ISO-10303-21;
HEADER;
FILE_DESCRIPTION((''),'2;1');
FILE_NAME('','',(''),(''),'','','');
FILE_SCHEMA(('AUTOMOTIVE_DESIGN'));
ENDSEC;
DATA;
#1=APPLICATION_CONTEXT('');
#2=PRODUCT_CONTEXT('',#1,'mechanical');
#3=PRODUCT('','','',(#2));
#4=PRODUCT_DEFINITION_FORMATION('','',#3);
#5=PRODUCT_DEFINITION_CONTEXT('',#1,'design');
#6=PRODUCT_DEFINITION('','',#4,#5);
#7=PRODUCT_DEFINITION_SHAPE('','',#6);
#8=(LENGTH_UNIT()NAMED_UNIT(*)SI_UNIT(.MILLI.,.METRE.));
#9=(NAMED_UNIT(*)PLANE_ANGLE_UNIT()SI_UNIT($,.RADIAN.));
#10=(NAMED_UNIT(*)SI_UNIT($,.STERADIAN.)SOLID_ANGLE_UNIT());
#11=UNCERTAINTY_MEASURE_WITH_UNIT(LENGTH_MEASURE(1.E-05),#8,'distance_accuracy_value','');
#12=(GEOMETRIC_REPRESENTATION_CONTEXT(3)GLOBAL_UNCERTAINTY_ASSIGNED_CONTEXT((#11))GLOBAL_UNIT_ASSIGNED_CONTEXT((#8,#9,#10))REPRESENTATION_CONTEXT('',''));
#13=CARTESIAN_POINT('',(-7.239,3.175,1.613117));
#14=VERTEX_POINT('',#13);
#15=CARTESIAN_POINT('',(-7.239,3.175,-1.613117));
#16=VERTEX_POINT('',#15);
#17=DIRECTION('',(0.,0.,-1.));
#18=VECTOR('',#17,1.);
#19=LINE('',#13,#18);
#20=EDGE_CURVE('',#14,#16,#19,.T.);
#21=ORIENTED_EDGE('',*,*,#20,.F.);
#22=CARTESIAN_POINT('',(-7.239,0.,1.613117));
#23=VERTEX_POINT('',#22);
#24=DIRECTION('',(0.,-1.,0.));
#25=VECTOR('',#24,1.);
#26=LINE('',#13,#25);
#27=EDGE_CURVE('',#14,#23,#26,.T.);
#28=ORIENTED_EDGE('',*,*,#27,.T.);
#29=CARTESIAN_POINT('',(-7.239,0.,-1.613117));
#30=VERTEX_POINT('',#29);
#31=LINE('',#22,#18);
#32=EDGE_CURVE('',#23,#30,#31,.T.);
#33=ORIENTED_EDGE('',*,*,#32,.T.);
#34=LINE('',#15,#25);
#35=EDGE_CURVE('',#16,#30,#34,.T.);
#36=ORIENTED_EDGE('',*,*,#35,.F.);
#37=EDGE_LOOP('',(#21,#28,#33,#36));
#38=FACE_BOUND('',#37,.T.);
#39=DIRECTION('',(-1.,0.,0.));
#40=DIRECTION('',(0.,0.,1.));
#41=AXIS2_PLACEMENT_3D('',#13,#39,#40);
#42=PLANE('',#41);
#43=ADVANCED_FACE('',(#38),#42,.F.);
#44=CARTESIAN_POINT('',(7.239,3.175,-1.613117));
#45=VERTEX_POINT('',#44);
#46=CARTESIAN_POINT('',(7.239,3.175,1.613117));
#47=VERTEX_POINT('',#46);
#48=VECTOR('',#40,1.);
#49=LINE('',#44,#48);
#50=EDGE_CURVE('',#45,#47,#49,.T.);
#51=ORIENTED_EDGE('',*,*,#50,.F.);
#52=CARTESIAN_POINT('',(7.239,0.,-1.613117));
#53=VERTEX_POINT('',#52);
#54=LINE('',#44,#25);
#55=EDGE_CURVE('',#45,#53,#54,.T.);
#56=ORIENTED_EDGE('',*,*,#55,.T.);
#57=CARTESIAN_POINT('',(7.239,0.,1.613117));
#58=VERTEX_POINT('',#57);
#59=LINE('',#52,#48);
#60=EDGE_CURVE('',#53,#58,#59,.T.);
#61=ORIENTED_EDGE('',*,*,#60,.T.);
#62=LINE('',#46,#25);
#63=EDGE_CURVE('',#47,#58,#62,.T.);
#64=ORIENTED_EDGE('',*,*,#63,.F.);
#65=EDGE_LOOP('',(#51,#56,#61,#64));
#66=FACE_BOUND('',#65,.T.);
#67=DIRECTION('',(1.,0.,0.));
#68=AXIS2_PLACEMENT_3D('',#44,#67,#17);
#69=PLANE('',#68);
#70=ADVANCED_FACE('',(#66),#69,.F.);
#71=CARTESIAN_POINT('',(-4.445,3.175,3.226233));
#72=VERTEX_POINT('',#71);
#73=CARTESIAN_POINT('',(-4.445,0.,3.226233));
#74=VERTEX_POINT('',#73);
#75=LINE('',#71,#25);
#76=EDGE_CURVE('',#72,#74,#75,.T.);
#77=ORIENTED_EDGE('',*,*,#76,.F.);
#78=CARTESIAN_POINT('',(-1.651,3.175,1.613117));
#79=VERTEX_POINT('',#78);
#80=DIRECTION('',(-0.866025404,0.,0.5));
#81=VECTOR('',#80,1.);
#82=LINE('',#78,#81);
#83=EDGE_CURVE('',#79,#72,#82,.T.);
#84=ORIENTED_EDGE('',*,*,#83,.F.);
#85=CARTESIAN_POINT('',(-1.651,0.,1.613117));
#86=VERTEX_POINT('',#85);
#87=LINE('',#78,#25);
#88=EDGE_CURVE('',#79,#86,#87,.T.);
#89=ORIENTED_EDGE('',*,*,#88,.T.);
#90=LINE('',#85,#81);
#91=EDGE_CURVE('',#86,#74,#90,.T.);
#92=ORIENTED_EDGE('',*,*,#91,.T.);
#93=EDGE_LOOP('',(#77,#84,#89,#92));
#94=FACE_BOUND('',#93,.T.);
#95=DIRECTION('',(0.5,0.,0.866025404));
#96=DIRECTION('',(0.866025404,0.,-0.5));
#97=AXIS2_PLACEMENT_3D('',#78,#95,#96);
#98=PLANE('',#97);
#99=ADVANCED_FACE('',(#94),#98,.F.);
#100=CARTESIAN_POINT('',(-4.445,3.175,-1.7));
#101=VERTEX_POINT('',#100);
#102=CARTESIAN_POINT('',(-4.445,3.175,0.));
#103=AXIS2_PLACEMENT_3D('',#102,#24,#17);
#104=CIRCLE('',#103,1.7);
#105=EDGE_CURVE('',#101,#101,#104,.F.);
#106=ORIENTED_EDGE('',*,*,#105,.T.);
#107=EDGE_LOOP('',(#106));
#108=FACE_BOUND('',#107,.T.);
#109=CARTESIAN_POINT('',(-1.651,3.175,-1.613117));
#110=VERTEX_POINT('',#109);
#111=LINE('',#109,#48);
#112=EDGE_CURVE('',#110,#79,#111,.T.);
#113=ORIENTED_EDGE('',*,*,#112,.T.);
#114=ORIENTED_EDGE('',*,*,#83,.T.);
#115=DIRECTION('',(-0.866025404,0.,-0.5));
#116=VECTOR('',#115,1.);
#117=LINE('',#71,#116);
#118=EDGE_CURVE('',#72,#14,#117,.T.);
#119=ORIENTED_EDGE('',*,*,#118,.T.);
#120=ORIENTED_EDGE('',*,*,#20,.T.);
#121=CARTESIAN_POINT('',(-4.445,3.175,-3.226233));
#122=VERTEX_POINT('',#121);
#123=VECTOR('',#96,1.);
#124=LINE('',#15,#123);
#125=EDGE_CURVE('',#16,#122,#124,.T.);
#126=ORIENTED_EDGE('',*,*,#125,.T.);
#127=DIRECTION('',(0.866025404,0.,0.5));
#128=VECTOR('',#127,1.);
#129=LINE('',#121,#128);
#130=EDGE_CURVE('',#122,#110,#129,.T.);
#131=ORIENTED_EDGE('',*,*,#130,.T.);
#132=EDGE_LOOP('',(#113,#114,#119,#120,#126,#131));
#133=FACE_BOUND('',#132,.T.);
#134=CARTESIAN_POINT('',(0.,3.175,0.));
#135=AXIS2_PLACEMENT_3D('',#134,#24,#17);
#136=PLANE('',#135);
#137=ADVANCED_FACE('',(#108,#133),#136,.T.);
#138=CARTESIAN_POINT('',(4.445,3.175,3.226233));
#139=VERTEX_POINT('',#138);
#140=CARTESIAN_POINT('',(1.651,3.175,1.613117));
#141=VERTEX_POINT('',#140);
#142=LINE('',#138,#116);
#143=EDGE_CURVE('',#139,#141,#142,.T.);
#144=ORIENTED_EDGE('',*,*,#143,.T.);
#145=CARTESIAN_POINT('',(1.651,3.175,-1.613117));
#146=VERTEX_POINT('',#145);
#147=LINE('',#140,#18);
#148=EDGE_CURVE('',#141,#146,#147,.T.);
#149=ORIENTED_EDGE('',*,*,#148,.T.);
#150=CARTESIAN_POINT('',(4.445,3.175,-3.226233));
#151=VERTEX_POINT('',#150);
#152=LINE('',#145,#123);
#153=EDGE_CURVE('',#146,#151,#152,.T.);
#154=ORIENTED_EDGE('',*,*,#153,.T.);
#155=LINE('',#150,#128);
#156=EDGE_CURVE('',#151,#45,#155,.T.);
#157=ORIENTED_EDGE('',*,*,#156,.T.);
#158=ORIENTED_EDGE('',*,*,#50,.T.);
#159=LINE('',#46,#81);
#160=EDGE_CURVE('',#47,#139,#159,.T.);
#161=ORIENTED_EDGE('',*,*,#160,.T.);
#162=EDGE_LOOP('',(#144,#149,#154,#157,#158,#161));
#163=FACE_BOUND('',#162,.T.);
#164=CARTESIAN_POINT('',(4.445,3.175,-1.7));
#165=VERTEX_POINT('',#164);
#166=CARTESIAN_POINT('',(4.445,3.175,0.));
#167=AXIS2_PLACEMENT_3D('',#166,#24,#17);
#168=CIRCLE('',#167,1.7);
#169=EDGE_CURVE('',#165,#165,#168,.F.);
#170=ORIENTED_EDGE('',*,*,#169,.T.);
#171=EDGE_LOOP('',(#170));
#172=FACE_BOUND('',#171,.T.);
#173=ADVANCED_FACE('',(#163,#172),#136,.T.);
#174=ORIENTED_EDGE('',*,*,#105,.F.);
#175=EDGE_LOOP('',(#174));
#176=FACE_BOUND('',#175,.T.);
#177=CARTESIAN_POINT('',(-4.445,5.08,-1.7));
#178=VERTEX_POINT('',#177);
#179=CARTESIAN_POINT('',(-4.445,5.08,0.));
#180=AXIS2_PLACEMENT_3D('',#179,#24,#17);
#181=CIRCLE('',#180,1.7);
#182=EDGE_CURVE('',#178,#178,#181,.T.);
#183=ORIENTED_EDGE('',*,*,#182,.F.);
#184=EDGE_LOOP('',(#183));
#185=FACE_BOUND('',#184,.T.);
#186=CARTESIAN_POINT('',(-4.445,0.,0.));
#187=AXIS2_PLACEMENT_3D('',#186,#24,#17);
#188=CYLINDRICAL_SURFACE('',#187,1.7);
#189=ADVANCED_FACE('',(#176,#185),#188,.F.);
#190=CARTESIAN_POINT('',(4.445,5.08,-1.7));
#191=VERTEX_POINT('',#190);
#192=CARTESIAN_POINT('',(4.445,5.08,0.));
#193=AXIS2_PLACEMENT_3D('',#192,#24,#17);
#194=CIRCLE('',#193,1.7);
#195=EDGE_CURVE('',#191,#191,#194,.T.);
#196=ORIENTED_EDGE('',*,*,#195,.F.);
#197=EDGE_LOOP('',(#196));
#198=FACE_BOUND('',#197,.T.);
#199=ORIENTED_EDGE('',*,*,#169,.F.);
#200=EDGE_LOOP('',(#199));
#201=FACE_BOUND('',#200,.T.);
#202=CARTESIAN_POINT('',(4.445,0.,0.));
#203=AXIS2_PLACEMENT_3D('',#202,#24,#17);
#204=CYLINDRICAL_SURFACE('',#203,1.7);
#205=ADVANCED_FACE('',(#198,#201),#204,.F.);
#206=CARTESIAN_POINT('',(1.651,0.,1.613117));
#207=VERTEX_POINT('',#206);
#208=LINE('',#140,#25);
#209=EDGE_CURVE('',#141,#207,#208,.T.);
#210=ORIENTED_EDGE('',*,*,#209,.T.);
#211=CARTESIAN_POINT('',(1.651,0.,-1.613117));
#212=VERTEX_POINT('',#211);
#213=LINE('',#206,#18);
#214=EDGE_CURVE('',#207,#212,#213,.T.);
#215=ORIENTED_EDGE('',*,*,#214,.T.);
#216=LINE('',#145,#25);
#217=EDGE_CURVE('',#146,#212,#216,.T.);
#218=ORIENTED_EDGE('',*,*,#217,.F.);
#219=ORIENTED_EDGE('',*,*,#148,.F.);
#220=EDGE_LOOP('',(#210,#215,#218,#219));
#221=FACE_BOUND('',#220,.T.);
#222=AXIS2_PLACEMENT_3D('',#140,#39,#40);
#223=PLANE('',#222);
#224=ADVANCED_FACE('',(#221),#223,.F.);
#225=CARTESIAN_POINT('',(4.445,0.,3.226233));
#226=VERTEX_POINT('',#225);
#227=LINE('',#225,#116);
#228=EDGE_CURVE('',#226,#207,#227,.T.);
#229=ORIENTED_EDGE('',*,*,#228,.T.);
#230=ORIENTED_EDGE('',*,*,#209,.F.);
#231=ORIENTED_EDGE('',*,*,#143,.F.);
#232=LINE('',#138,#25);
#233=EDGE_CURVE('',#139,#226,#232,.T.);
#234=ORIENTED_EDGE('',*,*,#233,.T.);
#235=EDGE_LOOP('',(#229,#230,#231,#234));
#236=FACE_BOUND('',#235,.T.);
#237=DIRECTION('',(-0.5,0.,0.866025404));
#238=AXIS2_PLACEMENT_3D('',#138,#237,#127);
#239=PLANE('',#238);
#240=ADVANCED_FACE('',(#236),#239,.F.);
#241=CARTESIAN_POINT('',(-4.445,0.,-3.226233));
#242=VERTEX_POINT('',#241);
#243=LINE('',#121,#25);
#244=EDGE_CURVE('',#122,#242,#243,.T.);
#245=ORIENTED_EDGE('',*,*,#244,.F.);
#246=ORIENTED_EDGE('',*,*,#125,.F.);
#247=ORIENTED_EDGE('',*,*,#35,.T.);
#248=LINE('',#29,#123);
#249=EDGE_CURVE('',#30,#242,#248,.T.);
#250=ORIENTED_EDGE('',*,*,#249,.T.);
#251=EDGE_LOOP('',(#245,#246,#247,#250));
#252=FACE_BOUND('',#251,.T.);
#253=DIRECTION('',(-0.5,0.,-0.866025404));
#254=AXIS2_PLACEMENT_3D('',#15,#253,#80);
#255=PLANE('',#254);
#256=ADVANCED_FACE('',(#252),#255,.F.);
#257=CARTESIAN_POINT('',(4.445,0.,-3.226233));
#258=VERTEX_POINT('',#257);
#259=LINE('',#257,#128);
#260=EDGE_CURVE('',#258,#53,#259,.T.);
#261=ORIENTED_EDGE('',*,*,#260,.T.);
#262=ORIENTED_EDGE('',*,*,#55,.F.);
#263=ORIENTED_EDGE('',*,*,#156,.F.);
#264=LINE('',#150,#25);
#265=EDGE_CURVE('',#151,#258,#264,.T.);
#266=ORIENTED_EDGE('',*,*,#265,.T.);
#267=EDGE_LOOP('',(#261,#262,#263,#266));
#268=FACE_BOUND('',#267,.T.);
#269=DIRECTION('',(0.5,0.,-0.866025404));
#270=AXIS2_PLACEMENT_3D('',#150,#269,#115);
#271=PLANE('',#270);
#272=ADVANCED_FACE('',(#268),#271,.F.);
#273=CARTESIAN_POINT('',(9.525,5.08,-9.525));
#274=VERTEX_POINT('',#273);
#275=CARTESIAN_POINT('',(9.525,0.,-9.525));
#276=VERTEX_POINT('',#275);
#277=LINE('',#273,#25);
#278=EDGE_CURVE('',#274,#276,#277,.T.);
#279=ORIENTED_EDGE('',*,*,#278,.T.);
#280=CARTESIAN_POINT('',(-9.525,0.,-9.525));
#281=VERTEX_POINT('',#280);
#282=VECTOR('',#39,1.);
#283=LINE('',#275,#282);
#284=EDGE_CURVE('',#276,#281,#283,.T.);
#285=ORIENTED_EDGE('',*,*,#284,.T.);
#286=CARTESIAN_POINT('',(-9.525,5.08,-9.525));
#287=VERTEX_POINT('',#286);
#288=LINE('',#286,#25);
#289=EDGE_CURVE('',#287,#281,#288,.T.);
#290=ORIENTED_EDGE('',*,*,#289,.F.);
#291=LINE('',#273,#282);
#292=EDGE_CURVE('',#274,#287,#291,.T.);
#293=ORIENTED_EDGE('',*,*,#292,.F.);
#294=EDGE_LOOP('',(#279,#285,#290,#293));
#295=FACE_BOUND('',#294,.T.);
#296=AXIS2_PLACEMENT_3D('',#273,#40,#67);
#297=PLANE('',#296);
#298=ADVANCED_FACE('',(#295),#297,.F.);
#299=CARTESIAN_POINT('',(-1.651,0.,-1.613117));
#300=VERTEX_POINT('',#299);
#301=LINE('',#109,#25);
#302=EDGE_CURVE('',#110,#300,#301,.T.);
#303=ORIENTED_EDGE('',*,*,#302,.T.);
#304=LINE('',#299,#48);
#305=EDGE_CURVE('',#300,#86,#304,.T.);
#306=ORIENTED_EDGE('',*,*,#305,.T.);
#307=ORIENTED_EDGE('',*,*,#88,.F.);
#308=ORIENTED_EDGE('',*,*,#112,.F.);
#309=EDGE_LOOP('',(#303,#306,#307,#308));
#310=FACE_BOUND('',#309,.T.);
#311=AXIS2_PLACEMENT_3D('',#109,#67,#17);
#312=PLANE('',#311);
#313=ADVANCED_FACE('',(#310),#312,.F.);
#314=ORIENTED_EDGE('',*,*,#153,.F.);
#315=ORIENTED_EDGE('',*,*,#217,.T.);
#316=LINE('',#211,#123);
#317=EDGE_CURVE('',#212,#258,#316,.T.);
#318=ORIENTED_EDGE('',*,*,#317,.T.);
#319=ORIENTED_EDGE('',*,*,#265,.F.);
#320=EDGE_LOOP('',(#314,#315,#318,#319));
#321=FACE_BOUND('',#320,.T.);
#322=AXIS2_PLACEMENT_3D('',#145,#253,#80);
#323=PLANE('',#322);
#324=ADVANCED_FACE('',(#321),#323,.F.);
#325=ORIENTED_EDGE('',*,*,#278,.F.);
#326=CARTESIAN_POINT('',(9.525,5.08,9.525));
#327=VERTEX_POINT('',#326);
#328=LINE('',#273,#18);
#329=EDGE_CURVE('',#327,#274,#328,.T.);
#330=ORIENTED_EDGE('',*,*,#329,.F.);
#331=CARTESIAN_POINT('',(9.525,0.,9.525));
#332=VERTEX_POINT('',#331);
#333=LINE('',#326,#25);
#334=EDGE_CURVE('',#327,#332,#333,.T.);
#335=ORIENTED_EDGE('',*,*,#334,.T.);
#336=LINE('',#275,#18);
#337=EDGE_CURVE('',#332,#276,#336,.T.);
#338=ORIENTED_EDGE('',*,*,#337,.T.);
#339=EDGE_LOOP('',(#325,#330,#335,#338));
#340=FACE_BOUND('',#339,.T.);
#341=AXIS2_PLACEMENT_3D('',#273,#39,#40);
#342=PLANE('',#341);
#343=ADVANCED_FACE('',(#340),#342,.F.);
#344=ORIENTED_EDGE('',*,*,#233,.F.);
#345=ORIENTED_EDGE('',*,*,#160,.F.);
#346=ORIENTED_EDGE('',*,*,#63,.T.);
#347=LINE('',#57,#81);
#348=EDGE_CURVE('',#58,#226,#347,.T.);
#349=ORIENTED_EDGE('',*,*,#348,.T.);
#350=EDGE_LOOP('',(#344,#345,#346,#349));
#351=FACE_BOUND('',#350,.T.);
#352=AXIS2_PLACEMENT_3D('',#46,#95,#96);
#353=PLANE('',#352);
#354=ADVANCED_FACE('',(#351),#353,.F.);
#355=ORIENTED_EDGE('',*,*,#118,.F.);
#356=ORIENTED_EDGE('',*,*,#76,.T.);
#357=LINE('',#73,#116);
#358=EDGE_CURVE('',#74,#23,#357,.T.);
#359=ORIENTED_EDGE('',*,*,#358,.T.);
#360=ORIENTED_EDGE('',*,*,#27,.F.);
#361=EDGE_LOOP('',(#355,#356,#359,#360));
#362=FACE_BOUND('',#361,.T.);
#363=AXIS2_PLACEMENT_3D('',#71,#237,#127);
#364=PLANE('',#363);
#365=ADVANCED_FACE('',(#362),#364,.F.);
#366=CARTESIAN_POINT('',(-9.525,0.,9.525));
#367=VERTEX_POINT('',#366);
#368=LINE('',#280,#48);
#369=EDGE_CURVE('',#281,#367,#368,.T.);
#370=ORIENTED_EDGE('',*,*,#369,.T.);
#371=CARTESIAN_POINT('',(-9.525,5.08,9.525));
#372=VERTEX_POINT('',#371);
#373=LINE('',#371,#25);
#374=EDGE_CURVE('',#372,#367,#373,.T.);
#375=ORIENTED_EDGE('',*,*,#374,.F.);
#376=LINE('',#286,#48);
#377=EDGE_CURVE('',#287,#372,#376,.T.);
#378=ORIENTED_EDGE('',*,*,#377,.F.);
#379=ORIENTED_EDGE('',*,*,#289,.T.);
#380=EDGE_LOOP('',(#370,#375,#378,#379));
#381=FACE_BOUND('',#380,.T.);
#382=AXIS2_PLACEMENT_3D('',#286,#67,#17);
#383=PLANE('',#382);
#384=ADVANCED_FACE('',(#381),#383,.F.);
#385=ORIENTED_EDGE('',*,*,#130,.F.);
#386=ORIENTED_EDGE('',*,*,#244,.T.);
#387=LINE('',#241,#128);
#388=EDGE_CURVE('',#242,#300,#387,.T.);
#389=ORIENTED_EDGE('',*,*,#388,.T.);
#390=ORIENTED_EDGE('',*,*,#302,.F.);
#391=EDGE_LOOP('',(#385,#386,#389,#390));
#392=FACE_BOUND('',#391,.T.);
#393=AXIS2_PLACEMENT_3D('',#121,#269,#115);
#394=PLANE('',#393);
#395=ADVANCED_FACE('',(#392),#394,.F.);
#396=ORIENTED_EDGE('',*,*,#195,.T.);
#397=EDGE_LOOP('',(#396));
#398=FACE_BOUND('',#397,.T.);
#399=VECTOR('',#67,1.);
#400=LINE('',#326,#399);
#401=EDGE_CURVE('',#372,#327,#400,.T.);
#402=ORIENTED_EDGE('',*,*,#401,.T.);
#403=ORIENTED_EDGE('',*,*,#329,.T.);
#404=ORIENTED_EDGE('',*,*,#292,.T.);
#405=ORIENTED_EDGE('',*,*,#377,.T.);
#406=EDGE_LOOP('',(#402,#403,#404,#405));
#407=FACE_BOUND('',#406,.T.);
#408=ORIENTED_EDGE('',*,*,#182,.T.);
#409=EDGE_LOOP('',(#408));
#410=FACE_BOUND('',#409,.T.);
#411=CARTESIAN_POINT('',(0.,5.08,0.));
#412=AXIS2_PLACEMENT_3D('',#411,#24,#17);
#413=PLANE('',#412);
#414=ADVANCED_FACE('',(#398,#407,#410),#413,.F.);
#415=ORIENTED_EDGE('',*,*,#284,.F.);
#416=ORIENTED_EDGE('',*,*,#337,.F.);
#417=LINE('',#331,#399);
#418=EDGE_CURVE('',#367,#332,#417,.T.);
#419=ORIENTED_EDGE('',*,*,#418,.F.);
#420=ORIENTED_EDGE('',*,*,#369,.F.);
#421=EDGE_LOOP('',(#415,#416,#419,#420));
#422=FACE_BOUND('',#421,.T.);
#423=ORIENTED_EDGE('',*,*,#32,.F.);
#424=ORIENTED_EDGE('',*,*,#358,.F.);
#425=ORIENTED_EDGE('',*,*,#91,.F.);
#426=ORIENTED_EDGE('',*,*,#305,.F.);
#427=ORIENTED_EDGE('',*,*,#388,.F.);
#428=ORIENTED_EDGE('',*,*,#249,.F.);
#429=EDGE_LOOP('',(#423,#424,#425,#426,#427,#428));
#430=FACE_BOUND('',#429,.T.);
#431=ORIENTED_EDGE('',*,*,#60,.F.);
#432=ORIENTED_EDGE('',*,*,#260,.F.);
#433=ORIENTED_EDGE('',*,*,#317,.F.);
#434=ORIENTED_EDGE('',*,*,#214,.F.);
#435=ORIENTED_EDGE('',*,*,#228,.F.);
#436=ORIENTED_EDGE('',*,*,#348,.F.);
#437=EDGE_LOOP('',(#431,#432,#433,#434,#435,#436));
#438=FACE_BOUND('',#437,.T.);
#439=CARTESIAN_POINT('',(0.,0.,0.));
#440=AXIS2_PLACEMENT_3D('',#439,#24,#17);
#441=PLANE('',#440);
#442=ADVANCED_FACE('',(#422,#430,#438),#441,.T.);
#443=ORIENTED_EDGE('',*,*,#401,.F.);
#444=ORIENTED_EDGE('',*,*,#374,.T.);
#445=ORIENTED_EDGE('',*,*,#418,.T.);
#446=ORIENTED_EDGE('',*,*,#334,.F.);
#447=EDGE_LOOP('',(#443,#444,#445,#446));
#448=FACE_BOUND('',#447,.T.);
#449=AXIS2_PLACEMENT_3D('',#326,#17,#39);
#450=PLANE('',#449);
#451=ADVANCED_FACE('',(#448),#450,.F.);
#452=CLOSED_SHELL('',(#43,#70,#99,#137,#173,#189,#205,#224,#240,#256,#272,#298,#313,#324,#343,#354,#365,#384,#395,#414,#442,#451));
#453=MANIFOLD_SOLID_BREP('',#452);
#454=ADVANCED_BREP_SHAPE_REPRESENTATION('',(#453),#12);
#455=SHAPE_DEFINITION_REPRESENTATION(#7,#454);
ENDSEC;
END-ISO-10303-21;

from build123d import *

# Parameters (mm, degrees)
SKETCH1_W            = 19.05
SKETCH1_H            = 19.05
BOSS_EXTRUDE1_DEPTH  = 5.08
M3_CLEARANCE_HOLE1_D = 3.4
CUT_EXTRUDE2_DEPTH   = 3.175


with BuildPart() as part:
    # Sketch1 → Boss-Extrude1 (new body)
    with BuildSketch(Plane(origin=(0, 0, 0), x_dir=(1, 0, 0), z_dir=(0, 1, 0))):
        Rectangle(SKETCH1_W, SKETCH1_H)
    extrude(amount=BOSS_EXTRUDE1_DEPTH)

    # M3 Clearance Hole1 (through all)
    with Locations(Plane(origin=(0, 0, 0), x_dir=(-1, 0, 0), z_dir=(0, -1, 0))):
        with Locations((-4.445, 0), (4.445, 0)):
            Hole(M3_CLEARANCE_HOLE1_D / 2)

    # Sketch8 → Cut-Extrude2 (cut)
    with BuildSketch(Plane.XZ):
        Polygon((-7.239, -1.613116652), (-4.445, -3.226233304), (-1.651, -1.613116652), (-1.651, 1.613116652), (-4.445, 3.226233304), (-7.239, 1.613116652), align=None)
        Polygon((7.239, -1.613116652), (7.239, 1.613116652), (4.445, 3.226233304), (1.651, 1.613116652), (1.651, -1.613116652), (4.445, -3.226233304), align=None)
    extrude(amount=-CUT_EXTRUDE2_DEPTH, mode=Mode.SUBTRACT)


solid = part.part
